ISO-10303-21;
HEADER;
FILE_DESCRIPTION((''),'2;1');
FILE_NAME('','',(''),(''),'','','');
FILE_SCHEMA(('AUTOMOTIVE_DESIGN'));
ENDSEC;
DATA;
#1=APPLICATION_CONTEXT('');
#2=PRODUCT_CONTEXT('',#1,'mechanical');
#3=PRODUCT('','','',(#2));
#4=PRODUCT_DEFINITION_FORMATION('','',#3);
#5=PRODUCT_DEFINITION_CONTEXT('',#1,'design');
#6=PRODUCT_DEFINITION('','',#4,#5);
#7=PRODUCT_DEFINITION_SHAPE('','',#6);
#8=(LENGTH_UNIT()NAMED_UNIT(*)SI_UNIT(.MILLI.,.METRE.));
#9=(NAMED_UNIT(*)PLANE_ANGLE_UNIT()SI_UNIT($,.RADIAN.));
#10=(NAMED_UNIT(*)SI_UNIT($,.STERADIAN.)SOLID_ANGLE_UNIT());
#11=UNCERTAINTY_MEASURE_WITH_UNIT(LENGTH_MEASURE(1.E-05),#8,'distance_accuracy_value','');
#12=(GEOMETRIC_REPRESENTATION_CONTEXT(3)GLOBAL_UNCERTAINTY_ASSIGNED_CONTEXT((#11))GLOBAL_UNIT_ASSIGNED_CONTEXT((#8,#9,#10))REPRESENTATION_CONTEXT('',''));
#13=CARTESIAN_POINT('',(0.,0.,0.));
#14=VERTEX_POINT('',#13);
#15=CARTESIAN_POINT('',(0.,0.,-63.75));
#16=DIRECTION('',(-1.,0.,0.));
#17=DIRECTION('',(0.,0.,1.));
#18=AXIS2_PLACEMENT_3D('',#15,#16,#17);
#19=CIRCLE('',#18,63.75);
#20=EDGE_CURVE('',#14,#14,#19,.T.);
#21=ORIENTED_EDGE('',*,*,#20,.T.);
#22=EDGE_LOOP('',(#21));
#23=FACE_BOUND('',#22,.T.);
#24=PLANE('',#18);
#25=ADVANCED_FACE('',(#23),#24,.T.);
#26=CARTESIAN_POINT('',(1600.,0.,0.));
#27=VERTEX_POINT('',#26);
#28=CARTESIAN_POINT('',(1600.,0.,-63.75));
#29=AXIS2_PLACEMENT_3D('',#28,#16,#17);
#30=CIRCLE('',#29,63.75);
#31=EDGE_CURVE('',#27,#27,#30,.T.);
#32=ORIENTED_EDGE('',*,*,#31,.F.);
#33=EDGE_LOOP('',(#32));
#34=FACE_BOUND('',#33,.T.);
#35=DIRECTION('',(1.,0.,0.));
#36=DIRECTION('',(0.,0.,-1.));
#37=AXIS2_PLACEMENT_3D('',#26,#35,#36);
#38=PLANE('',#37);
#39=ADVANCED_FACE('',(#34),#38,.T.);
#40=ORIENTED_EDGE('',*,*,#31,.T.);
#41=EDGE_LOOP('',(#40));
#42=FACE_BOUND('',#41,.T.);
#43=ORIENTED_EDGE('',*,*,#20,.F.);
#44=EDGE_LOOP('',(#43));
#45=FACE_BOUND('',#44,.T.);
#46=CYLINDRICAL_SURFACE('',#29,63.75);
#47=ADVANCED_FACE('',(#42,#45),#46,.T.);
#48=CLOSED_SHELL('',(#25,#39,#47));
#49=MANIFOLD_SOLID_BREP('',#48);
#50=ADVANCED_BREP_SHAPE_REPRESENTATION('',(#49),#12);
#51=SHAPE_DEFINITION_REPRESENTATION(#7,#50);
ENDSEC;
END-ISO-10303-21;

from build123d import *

# Parameters (mm, degrees)
SKETCH2_W = 1600
SKETCH2_H = 63.75


with BuildPart() as part:
    # Sketch2 → Revolve1 (revolve)
    with BuildSketch(Plane(origin=(0, 0, 0), x_dir=(1, 0, 0), z_dir=(0, 1, 0))):
        with Locations((800, 31.875)):
            Rectangle(SKETCH2_W, SKETCH2_H)
    revolve(axis=Axis((1600, 0, -63.75), (-1, 0, 0)))


solid = part.part
